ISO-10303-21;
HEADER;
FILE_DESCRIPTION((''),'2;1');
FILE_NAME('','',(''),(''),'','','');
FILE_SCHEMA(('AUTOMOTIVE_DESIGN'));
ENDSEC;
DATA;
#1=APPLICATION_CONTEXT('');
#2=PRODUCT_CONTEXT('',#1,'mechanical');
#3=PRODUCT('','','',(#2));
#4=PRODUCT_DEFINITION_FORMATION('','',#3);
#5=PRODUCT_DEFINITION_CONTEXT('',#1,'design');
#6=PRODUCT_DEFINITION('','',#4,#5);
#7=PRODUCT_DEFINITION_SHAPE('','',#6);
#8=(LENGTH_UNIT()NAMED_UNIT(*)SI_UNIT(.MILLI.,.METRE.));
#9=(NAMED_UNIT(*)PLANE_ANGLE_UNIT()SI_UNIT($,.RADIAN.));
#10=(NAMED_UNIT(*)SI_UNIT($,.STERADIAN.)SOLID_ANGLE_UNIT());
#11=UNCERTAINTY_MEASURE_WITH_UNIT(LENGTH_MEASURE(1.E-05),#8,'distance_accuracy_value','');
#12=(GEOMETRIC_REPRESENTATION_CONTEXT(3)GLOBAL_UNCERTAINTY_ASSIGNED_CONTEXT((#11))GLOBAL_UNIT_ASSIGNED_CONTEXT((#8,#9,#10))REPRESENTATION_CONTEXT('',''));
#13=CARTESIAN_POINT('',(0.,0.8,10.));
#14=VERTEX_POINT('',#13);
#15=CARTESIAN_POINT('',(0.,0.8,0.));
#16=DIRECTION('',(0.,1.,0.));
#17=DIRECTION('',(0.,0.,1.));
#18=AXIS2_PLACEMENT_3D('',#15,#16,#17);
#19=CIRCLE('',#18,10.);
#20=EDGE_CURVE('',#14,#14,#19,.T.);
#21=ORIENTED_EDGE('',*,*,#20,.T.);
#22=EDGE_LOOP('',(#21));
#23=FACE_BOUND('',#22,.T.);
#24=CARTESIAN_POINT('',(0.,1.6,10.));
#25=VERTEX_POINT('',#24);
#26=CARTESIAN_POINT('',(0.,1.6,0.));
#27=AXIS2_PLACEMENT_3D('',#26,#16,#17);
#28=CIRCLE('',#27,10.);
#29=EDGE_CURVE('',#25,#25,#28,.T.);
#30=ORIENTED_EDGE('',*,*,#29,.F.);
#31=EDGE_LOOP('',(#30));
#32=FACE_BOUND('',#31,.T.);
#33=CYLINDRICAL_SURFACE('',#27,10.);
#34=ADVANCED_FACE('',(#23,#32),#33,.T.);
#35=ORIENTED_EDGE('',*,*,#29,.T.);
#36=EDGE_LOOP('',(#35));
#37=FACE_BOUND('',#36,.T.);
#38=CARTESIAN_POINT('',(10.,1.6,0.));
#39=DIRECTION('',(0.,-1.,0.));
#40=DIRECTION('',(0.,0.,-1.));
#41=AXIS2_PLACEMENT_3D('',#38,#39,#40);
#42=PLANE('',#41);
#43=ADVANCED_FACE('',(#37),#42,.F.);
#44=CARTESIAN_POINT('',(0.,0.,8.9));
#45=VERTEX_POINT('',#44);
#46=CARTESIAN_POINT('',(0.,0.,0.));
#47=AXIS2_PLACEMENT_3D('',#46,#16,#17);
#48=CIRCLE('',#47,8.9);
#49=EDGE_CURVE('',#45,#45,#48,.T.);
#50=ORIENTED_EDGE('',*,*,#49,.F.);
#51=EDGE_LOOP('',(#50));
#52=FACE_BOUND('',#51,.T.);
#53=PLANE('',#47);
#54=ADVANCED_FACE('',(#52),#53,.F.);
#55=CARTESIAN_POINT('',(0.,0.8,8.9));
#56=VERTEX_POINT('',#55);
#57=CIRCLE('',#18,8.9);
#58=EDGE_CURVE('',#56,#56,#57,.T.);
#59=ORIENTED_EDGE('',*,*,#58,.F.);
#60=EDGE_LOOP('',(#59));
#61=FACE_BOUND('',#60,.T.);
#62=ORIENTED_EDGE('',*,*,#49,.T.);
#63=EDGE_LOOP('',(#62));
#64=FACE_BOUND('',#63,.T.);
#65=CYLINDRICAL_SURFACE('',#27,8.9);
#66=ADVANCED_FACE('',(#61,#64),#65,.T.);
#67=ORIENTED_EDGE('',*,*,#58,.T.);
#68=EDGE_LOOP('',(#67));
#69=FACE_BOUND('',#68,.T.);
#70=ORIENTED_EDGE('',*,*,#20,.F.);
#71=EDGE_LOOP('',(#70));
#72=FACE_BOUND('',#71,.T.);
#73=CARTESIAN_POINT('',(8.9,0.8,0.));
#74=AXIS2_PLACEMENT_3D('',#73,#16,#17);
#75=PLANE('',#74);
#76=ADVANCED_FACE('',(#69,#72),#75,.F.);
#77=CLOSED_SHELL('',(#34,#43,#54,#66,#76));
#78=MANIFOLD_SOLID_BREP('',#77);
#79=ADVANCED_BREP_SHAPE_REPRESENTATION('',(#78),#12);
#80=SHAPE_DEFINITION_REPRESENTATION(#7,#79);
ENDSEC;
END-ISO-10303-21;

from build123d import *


with BuildPart() as part:
    # Esquisse2 → Révolution1 (revolve)
    with BuildSketch(Plane.XY, mode=Mode.PRIVATE) as r_volution1_sk:
        Polygon((0, 0), (8.9, 0), (8.9, 0.8), (10, 0.8), (10, 1.6), (0, 1.6), align=None)
    revolve(r_volution1_sk.sketch.rotate(Axis((0, 1.6, 0), (0, -1, 0)), 90), axis=Axis((0, 1.6, 0), (0, -1, 0)))


solid = part.part
